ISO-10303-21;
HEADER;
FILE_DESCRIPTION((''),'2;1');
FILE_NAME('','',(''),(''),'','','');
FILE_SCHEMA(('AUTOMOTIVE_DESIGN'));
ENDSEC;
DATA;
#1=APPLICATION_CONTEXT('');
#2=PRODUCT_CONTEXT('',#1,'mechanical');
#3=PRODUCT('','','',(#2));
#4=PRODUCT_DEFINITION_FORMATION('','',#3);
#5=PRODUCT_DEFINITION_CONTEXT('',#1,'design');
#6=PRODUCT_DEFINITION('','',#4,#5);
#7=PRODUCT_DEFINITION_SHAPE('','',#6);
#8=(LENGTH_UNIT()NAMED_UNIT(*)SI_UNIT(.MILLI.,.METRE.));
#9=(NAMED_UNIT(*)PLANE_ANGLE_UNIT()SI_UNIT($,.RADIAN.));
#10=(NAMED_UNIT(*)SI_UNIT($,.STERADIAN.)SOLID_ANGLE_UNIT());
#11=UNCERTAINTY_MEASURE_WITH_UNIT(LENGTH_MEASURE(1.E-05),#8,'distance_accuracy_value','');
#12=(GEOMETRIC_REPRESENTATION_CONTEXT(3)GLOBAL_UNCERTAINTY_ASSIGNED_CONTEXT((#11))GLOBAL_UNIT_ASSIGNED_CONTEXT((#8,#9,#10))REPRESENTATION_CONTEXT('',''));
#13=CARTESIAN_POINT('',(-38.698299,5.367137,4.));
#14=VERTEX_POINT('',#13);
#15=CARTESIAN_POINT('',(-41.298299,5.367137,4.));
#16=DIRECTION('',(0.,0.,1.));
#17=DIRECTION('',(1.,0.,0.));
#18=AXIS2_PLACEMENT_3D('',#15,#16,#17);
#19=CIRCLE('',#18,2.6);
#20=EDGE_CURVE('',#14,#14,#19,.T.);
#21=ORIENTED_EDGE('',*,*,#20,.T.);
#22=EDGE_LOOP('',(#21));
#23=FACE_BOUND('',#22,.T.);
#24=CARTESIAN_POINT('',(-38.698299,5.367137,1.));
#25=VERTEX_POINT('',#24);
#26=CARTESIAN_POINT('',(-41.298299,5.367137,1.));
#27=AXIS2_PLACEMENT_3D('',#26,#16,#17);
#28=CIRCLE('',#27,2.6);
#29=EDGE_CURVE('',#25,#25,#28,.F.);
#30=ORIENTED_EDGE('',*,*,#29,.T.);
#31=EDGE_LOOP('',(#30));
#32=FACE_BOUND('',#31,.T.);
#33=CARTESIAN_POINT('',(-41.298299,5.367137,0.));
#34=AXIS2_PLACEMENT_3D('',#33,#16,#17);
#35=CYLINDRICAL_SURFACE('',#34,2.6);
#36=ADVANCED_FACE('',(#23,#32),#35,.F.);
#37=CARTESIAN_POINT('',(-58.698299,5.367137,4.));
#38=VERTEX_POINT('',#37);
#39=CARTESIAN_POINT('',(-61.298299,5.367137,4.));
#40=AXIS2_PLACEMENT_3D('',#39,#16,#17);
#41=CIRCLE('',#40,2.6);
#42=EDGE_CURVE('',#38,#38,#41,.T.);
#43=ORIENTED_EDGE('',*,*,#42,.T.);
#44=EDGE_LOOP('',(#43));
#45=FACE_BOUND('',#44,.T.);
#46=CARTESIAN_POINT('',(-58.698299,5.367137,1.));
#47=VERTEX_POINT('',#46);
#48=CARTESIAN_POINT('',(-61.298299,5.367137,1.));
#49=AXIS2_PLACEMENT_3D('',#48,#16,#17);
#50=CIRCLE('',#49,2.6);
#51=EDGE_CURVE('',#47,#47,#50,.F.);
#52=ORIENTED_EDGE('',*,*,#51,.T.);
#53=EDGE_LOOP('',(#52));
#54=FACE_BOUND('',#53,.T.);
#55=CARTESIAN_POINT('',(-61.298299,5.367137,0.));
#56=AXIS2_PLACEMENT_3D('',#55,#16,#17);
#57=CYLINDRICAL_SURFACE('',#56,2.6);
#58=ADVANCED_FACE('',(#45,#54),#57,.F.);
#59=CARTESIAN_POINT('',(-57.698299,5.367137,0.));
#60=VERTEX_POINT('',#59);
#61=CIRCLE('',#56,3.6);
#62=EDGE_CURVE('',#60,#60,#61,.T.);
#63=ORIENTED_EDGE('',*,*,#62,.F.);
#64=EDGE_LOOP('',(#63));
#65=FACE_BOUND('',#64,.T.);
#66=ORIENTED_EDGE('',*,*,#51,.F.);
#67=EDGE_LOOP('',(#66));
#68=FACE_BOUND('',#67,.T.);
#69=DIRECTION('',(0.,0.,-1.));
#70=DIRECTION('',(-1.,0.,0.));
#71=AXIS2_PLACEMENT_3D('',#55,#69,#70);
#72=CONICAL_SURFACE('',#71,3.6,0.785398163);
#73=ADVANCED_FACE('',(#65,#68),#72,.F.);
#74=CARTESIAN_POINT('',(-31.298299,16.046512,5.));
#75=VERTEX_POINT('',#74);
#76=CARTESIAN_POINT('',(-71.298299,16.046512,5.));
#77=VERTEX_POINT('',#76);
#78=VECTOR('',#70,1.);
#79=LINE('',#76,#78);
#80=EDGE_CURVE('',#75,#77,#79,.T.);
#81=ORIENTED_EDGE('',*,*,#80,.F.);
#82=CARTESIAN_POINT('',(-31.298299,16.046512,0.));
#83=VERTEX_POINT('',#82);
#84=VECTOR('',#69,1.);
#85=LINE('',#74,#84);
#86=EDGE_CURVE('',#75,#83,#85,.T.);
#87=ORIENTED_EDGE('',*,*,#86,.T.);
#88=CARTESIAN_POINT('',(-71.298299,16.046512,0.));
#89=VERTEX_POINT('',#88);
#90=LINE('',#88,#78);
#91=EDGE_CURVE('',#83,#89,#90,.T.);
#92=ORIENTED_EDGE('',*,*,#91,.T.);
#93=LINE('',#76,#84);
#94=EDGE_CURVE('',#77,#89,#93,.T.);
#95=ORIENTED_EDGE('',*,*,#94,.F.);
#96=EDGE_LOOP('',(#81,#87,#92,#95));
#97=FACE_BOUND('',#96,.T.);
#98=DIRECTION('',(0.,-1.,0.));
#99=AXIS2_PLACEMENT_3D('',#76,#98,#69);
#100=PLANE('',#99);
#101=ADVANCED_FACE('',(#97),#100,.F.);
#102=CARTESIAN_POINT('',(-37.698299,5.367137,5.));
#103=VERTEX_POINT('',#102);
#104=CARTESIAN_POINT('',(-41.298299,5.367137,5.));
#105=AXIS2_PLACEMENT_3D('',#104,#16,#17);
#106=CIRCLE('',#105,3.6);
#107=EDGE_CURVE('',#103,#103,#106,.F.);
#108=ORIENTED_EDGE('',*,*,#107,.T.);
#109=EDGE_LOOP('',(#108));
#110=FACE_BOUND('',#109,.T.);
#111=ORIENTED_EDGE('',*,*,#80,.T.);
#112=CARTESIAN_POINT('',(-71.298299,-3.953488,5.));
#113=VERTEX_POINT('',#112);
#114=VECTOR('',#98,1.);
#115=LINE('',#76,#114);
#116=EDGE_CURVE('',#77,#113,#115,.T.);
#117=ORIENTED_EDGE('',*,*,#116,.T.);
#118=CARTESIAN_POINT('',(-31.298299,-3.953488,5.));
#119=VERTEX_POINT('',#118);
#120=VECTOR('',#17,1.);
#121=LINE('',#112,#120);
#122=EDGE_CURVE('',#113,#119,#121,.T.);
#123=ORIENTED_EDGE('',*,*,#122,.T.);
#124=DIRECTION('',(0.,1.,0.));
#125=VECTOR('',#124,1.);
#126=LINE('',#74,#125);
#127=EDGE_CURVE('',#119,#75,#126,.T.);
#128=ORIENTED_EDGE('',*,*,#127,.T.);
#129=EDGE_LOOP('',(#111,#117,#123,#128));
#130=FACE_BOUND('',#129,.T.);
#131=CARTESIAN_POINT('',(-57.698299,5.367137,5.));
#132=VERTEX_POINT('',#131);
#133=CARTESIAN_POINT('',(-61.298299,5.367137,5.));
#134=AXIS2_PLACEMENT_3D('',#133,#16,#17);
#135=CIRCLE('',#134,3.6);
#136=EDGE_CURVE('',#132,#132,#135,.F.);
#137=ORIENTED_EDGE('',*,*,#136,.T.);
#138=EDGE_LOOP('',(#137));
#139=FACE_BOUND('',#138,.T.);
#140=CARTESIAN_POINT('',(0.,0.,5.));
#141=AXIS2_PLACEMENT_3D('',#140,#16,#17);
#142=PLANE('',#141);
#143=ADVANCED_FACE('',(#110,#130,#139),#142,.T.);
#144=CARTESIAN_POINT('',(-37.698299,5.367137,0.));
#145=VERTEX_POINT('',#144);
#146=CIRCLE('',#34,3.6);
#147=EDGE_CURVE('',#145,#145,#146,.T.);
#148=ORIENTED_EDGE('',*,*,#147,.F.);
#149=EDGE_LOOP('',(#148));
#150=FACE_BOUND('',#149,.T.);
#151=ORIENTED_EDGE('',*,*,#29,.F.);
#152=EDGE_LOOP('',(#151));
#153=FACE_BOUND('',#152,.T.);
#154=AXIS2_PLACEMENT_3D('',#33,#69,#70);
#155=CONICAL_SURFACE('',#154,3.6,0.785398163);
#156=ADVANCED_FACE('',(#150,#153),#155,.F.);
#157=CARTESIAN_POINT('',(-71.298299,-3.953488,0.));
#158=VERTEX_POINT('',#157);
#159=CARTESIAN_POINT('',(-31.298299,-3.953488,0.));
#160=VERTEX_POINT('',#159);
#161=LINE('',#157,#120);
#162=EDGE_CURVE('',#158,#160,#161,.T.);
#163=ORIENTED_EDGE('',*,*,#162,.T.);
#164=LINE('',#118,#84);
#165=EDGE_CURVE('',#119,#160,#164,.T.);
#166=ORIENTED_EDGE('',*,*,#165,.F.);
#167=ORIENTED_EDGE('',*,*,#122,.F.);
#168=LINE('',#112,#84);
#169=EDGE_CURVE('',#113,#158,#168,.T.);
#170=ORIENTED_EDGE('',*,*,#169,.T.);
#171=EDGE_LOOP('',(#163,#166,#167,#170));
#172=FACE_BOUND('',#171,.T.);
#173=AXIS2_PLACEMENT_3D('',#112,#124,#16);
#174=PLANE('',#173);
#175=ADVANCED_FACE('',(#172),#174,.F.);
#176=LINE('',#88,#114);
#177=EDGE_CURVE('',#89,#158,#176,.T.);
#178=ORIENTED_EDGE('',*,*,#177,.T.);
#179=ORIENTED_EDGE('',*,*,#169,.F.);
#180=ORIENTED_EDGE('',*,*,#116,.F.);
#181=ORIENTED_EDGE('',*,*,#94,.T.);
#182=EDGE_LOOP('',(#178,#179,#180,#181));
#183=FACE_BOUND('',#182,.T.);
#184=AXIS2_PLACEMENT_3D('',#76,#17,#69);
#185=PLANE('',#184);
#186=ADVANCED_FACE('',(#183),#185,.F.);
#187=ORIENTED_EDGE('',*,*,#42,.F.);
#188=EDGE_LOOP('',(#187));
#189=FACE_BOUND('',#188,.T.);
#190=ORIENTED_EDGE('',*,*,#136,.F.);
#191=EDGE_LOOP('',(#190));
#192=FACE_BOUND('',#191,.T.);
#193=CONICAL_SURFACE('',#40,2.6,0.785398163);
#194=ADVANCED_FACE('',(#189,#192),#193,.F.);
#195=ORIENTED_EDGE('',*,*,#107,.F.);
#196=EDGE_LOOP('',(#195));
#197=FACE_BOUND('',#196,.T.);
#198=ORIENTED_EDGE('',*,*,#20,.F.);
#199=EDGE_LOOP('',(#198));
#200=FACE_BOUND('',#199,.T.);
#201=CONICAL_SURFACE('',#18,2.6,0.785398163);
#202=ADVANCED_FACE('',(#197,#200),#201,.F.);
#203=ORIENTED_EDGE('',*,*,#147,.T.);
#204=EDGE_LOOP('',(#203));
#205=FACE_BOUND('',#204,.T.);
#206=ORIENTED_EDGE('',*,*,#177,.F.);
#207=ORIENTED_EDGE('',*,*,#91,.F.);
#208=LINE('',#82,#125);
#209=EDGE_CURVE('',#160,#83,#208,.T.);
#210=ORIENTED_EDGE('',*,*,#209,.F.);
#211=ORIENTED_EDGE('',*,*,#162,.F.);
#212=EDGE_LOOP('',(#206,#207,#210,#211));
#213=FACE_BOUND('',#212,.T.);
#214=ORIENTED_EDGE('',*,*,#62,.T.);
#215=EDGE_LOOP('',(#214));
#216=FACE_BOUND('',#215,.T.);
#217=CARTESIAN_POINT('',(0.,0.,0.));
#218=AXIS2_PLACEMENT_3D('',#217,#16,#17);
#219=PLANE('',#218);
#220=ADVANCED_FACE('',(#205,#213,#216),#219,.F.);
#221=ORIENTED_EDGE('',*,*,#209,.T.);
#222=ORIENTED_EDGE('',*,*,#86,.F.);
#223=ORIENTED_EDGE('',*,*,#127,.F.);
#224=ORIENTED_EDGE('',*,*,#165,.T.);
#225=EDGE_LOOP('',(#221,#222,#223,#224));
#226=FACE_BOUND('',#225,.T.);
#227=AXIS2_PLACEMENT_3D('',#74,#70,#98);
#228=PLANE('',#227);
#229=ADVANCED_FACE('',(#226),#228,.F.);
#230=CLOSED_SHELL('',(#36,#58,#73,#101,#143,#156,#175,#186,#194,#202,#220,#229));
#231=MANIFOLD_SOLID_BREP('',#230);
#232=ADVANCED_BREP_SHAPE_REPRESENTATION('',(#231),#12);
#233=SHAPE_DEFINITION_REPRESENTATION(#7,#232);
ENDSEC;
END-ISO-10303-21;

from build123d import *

# Parameters (mm, degrees)
IZIM1_W                     = 40
IZIM1_H                     = 20
Y_KSEKLIK_EKSTR_ZYON1_DEPTH = 5
IZIM2_R                     = 2.6
KES_EKSTR_ZYON1_DEPTH       = 5
PAH1_SIZE                   = 1


with BuildPart() as part:
    # Çizim1 → Yükseklik-Ekstrüzyon1 (new body)
    with BuildSketch(Plane.XY):
        with Locations((-51.29829922, 6.046511628)):
            Rectangle(IZIM1_W, IZIM1_H)
    extrude(amount=Y_KSEKLIK_EKSTR_ZYON1_DEPTH)

    # Çizim2 → Kes-Ekstrüzyon1 (cut)
    with BuildSketch(Plane.XY.offset(5)):
        with Locations((-61.29829922, 5.367137417)):
            Circle(IZIM2_R)
        with Locations((-41.29829922, 5.367137417)):
            Circle(IZIM2_R)
    extrude(amount=-KES_EKSTR_ZYON1_DEPTH, mode=Mode.SUBTRACT)

    # Pah1
    pah1_edges = [part.edges().sort_by_distance(p)[0] for p in [
        (-63.89829922, 5.367137417, 0),
        (-63.89829922, 5.367137417, 5),
        (-43.89829922, 5.367137417, 0),
        (-43.89829922, 5.367137417, 5),
    ]]
    chamfer(pah1_edges, length=PAH1_SIZE)


solid = part.part
